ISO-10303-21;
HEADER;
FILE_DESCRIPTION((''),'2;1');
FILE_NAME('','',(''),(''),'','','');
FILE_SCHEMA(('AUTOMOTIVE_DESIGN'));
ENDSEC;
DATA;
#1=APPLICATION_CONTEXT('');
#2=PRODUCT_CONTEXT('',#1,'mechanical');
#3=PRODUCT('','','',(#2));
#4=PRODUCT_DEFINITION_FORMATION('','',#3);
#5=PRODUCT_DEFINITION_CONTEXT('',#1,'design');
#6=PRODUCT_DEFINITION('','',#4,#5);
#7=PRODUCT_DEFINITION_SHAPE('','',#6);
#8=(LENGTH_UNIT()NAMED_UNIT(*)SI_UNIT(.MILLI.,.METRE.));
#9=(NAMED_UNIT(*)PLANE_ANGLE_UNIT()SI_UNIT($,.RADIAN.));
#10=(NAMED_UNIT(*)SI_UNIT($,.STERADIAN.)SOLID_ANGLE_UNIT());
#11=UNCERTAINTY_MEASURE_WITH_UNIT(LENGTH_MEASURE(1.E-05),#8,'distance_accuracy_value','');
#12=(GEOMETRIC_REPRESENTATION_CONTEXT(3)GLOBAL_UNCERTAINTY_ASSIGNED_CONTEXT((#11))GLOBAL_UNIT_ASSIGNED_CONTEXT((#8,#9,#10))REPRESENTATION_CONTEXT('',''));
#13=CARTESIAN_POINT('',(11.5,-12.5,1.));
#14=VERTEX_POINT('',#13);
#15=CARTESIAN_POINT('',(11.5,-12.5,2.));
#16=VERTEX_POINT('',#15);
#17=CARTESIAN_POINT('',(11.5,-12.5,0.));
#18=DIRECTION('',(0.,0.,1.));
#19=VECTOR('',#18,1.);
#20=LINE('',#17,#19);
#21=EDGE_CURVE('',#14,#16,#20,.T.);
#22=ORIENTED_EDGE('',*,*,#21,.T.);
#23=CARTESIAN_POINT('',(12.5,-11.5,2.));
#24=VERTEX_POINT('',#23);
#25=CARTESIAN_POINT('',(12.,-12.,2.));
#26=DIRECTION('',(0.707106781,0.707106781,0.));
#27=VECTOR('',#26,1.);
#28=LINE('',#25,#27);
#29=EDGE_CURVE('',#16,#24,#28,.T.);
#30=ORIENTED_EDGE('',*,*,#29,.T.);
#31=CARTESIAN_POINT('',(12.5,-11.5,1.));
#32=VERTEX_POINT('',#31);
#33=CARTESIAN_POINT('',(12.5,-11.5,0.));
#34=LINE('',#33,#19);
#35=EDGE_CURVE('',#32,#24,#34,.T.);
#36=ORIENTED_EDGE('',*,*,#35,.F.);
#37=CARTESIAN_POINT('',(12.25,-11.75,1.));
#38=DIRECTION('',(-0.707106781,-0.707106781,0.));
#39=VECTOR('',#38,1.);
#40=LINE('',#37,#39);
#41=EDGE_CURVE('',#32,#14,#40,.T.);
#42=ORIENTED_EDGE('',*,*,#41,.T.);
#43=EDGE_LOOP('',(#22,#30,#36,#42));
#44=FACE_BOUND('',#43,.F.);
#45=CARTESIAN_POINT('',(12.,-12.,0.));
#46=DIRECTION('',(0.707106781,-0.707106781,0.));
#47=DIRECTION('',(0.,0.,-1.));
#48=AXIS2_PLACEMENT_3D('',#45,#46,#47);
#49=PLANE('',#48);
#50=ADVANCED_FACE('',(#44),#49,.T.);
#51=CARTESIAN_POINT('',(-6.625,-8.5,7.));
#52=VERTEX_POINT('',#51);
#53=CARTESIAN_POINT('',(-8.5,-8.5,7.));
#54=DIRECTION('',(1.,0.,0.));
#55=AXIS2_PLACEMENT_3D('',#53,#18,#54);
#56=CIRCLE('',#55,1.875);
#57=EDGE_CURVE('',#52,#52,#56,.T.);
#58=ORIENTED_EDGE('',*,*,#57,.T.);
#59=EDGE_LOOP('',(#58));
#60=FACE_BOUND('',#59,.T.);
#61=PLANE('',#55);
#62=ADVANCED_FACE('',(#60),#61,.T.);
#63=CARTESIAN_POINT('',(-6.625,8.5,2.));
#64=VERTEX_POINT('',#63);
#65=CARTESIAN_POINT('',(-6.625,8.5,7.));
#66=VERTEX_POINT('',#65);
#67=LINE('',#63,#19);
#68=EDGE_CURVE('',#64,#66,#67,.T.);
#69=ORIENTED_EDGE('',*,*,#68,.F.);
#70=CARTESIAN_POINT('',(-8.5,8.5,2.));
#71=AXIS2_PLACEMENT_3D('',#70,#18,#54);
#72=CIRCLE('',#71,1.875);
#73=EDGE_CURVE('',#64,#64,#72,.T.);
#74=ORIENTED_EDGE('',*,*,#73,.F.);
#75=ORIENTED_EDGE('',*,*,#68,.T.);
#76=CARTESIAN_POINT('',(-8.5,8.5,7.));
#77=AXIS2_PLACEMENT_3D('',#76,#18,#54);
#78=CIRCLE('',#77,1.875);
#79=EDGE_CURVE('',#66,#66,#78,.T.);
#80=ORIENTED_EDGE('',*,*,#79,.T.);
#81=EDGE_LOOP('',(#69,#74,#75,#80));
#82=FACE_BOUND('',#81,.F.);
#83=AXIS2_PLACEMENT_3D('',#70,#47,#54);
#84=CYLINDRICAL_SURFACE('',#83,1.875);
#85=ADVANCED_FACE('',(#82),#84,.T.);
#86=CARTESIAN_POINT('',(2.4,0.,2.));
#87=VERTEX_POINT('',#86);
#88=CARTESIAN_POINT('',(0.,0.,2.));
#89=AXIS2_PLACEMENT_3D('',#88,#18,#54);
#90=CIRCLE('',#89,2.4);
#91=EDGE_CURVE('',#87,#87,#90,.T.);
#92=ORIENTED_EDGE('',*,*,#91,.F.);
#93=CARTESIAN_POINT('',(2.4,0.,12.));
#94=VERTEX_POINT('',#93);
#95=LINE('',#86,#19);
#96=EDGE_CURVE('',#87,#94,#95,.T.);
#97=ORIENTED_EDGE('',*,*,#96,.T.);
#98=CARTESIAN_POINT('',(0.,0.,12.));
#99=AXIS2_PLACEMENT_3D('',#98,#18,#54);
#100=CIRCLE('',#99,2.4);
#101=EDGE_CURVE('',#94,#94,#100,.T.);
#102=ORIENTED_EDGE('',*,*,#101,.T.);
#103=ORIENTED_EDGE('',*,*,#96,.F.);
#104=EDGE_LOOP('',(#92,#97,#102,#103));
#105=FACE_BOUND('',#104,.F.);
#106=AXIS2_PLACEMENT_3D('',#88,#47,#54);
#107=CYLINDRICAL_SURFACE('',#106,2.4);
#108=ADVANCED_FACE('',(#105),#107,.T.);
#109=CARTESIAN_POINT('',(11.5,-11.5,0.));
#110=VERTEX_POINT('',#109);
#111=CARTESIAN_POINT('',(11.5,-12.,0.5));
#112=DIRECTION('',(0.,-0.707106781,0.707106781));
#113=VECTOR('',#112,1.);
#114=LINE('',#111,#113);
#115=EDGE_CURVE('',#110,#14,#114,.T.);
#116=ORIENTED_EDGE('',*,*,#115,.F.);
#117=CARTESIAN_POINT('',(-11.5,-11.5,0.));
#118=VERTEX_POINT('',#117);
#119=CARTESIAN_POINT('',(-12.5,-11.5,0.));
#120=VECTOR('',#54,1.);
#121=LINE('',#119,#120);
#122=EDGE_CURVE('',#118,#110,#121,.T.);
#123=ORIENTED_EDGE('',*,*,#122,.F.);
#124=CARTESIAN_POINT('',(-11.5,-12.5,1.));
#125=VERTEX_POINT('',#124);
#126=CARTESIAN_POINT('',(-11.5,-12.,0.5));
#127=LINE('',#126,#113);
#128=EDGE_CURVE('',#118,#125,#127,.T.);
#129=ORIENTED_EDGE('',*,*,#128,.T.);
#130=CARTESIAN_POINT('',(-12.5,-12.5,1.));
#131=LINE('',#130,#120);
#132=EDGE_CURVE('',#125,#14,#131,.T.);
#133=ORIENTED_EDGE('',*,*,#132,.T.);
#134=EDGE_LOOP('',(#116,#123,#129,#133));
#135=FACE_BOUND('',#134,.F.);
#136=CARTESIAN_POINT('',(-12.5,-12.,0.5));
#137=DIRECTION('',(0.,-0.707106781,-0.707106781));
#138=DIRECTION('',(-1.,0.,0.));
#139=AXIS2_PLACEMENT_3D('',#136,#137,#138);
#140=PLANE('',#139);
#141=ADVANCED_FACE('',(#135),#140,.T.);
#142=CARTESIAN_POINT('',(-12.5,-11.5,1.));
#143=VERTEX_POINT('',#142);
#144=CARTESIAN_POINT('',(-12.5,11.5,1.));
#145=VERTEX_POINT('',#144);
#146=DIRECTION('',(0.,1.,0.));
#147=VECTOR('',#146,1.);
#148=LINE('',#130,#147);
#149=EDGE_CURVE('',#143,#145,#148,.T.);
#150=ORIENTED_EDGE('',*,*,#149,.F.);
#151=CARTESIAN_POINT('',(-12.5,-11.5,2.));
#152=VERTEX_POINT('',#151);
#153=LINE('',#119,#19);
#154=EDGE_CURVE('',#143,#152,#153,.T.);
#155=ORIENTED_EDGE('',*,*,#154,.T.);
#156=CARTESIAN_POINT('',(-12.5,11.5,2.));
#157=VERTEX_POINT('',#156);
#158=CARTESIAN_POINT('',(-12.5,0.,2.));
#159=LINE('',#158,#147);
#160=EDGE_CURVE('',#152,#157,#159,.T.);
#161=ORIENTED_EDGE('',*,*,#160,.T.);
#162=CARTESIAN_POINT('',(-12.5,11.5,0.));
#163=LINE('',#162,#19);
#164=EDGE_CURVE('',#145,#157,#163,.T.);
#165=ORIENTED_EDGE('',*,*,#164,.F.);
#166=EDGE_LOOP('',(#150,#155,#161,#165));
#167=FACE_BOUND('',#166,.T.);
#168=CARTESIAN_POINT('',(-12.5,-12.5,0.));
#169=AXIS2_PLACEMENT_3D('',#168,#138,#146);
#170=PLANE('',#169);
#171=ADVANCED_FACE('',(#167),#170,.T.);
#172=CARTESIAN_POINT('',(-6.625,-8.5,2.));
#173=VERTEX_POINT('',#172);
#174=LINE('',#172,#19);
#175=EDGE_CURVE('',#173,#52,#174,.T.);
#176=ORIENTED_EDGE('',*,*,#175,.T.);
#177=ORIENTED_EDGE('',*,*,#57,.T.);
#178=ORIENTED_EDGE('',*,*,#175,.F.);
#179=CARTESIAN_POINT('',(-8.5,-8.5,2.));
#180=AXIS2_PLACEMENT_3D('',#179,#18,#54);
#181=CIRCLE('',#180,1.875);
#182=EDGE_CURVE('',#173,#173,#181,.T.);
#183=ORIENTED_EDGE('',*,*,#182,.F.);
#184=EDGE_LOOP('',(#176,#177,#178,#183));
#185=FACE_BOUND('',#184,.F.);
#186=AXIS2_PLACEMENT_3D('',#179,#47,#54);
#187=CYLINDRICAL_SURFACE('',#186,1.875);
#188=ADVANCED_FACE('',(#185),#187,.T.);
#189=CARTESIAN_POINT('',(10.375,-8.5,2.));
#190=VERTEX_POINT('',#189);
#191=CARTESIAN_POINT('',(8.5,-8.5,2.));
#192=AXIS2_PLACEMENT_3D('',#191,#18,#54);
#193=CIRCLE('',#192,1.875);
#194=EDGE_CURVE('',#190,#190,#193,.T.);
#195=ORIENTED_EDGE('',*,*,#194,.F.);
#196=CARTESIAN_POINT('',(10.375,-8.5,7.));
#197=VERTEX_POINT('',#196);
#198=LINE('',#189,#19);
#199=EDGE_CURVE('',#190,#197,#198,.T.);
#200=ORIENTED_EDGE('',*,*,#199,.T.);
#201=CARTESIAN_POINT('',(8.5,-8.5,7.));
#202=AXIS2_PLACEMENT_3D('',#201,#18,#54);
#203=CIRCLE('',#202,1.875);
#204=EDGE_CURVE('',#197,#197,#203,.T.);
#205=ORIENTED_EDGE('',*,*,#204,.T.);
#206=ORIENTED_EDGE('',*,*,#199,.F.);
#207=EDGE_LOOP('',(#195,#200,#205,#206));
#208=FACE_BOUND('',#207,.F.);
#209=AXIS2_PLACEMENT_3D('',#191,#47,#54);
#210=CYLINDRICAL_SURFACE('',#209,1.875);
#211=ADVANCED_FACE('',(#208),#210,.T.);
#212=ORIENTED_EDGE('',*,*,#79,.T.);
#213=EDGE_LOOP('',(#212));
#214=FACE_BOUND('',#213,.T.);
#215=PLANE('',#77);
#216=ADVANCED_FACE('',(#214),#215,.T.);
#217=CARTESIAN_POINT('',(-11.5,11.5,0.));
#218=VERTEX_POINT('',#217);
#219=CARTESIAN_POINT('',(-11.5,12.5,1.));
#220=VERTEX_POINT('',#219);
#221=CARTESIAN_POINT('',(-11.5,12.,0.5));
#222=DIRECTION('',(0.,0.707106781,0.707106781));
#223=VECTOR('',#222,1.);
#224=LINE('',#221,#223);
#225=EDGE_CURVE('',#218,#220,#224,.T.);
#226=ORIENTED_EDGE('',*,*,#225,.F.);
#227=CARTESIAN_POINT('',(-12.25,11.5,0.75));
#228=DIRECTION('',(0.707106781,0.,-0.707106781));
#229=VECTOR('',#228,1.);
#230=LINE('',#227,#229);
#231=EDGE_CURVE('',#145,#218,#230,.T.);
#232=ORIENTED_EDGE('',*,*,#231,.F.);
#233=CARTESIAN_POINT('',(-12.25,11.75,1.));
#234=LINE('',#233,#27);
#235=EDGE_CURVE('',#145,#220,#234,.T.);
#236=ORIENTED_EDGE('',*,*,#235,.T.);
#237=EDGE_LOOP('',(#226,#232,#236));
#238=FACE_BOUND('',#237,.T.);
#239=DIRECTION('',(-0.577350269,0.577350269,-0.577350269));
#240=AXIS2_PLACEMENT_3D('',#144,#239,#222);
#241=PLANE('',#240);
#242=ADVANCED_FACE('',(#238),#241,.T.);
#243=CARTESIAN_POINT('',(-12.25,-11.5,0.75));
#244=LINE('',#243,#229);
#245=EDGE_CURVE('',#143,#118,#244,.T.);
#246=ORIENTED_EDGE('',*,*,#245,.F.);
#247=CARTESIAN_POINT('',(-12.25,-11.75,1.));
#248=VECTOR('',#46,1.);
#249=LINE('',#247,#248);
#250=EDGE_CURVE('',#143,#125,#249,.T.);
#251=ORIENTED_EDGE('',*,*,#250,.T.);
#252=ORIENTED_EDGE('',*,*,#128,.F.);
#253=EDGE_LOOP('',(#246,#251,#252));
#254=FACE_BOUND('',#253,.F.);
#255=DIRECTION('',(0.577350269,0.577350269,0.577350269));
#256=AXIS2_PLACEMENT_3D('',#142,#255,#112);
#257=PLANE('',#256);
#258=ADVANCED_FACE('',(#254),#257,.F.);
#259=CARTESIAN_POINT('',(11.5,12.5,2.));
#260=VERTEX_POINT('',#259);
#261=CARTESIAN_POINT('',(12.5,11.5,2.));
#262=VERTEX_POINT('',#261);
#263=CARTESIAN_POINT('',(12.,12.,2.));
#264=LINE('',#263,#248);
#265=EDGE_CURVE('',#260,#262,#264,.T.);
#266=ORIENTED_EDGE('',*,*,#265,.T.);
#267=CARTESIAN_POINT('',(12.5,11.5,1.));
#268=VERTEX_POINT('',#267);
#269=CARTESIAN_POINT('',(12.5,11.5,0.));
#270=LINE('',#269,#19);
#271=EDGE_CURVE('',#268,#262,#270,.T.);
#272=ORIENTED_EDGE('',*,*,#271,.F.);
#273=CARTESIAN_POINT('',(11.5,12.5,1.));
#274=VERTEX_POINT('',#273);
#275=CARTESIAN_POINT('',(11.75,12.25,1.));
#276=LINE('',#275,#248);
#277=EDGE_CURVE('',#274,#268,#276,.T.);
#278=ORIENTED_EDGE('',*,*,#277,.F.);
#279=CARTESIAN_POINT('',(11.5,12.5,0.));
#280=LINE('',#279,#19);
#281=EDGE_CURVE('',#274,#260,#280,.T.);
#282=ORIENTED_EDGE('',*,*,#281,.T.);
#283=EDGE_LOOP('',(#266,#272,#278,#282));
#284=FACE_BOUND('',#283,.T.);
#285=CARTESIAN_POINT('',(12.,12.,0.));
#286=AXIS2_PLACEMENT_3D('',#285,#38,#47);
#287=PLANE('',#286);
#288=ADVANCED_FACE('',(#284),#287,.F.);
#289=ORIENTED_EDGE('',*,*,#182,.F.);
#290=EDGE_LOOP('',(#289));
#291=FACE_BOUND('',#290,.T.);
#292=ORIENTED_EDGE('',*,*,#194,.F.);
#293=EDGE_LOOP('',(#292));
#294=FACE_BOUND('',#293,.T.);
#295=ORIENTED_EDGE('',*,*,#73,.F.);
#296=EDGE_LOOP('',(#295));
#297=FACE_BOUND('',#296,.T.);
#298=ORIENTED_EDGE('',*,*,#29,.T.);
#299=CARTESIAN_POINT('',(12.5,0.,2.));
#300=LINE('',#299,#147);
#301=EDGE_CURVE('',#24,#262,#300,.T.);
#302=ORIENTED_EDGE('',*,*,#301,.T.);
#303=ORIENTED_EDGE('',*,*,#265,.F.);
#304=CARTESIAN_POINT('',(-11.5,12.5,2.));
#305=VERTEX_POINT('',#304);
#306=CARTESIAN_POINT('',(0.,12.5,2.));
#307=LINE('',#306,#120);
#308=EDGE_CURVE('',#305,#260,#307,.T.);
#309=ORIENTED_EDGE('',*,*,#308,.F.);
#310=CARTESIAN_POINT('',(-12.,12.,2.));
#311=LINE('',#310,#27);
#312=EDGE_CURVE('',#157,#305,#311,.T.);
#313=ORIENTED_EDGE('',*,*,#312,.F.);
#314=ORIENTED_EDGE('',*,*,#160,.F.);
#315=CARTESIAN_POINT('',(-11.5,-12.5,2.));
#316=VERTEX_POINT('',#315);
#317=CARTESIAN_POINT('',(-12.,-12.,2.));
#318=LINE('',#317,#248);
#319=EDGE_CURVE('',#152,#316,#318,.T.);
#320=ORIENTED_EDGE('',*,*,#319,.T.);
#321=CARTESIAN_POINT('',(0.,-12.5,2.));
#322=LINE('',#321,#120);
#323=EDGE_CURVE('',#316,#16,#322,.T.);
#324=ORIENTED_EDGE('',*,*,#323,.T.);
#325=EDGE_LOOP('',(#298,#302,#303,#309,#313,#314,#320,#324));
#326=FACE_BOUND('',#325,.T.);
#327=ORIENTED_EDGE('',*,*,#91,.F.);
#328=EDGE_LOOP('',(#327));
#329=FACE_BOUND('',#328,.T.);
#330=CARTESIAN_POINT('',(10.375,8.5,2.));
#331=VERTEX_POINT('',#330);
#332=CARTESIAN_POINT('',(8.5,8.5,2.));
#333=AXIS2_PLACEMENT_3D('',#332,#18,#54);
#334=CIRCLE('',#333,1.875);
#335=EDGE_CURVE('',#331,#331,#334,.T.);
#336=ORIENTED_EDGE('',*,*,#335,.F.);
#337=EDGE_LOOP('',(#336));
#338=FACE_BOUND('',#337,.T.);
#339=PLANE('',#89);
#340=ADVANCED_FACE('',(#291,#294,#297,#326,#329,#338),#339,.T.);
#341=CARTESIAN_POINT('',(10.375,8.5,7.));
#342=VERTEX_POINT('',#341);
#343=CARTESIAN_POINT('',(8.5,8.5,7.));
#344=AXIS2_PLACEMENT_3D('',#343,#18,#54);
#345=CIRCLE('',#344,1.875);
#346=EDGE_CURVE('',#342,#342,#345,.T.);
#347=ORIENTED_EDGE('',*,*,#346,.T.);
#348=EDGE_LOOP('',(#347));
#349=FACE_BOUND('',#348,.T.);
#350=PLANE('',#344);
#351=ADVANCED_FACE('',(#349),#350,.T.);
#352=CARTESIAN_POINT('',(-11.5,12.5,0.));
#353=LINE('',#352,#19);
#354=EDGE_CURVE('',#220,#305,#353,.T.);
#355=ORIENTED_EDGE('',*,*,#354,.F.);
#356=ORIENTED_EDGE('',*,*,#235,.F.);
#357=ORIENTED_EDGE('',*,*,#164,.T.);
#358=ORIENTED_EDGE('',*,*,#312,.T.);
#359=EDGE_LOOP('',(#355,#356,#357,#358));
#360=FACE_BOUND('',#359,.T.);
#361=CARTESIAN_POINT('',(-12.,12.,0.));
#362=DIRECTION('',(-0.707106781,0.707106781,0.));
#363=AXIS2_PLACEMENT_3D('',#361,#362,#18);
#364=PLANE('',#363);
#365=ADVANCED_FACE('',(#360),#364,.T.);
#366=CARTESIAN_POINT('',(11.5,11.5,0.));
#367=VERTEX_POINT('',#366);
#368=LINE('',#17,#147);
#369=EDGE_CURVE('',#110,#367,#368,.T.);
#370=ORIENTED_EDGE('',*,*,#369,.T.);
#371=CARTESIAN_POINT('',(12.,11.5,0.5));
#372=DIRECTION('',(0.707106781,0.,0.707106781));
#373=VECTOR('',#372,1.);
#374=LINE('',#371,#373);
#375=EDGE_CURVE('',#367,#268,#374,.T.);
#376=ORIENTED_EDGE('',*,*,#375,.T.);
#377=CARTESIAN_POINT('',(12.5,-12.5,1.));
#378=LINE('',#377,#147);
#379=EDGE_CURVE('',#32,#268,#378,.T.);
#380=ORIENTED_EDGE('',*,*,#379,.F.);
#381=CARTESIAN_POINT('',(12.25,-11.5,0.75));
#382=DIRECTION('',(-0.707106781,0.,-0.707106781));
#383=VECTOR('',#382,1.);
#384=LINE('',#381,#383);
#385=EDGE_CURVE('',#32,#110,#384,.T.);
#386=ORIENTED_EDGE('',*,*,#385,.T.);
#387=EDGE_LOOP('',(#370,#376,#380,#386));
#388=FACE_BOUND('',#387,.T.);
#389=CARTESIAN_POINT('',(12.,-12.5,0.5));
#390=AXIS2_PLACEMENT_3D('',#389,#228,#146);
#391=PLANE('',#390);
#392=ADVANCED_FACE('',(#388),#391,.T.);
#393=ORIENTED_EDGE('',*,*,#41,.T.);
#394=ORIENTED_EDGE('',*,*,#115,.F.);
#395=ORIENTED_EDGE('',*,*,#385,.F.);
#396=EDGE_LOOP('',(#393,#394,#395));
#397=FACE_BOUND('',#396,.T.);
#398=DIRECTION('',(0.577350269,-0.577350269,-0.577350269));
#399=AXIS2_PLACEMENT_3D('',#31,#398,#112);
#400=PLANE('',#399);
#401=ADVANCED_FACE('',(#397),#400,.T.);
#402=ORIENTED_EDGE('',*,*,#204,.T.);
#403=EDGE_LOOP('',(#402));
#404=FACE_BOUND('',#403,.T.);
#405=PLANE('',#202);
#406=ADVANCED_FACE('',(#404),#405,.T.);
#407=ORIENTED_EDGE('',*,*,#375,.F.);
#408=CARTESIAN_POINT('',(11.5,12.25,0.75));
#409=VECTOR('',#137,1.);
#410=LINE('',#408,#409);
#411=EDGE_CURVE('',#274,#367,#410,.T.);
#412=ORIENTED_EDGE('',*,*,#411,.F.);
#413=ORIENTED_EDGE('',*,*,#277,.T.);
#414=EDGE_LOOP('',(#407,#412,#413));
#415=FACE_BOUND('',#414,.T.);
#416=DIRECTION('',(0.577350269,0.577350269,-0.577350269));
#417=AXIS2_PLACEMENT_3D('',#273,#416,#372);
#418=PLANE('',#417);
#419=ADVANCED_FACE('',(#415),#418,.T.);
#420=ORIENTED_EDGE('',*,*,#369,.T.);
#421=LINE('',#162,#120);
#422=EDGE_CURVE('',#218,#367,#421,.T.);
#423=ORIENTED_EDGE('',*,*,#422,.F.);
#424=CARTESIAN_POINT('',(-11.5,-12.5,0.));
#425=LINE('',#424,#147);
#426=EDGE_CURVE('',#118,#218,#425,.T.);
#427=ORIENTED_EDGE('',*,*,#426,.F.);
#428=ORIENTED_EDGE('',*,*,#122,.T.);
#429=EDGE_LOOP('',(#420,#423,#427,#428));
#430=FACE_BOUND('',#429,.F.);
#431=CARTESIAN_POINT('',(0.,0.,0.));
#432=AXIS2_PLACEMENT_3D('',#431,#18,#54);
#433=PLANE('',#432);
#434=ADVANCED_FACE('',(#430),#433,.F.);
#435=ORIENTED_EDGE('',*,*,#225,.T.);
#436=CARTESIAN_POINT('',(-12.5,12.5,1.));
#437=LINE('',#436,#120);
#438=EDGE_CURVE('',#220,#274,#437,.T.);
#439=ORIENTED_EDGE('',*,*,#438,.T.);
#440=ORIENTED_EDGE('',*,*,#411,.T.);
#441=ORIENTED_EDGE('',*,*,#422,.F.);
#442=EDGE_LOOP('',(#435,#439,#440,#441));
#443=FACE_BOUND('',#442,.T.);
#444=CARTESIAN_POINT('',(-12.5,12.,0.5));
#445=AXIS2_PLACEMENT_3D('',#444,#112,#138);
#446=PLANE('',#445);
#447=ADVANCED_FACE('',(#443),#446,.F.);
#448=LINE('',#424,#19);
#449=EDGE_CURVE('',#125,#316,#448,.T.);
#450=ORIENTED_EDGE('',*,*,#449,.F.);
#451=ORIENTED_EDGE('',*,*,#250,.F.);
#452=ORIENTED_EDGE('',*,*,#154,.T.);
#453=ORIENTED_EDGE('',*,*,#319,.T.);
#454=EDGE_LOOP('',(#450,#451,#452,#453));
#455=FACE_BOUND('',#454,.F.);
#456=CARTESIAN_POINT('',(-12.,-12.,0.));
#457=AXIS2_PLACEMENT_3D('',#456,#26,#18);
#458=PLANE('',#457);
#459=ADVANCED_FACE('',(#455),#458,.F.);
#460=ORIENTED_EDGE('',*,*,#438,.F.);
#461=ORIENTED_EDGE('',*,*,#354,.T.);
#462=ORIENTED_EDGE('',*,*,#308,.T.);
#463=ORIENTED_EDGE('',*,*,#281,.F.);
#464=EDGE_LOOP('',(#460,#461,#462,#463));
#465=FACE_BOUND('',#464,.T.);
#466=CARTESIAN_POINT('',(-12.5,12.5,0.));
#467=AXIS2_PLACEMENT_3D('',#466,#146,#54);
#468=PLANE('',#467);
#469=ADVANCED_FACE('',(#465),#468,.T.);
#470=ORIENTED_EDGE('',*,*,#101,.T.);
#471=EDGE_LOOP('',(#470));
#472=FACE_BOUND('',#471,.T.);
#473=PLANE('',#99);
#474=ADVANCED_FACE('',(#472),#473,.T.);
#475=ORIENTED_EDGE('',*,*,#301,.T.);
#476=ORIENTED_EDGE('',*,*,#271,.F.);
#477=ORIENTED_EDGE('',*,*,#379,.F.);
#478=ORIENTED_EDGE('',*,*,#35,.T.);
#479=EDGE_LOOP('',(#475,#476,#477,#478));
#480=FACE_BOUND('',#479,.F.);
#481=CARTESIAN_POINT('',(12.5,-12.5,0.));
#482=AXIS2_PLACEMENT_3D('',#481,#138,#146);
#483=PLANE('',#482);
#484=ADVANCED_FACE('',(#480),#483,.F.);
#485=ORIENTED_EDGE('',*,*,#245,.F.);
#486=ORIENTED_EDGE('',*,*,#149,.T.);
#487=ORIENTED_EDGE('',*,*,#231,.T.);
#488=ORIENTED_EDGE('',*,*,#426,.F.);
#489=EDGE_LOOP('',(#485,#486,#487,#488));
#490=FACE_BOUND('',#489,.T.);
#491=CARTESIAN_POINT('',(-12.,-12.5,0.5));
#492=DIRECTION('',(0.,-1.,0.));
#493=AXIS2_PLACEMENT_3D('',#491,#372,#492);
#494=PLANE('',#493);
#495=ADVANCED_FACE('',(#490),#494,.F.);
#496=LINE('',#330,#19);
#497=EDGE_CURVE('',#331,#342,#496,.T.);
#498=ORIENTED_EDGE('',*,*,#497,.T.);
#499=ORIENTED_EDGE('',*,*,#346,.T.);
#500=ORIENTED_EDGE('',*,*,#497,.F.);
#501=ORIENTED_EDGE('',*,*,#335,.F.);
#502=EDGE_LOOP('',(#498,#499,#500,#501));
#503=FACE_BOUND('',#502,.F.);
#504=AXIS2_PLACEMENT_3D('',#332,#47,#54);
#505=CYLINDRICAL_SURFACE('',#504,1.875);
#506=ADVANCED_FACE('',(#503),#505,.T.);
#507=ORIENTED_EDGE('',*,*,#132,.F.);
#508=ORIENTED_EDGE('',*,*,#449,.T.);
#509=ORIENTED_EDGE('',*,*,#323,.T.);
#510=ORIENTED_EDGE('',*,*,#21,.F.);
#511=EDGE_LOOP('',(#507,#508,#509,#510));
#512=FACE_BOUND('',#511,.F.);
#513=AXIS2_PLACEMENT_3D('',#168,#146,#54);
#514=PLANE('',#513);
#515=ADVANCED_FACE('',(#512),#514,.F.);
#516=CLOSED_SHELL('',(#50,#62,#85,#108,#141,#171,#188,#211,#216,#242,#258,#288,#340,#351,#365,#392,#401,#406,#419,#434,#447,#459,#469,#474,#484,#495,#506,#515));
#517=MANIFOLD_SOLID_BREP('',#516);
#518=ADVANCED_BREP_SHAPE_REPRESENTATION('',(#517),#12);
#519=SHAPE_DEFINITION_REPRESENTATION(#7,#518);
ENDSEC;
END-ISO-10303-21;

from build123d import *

# Parameters (mm, degrees)
F0_W     = 25
F0_H     = 25
F1_DEPTH = 2
F2_R     = 2.4
F3_DEPTH = 10
F4_R     = 1.875
F5_DEPTH = 5
F6_SIZE  = 1


with BuildPart() as f1:
    # F0 (on Top) → F1 (new body)
    with BuildSketch(Plane.XY):
        Rectangle(F0_W, F0_H)
    extrude(amount=F1_DEPTH)

    # F2 (on face) → F3 (join)
    with BuildSketch(Plane.XY.offset(2)):
        Circle(F2_R)
    extrude(amount=F3_DEPTH)

    # F4 (on face) → F5 (join)
    with BuildSketch(Plane.XY.offset(2)):
        with Locations((-8.5, 8.5)):
            Circle(F4_R)
        with Locations((8.5, 8.5)):
            Circle(F4_R)
        with Locations((8.5, -8.5)):
            Circle(F4_R)
        with Locations((-8.5, -8.5)):
            Circle(F4_R)
    extrude(amount=F5_DEPTH)

    # F6
    f6_edges = [f1.edges().sort_by_distance(p)[0] for p in [
        (0, -12.5, 0),
        (12.5, 0, 0),
        (0, 12.5, 0),
        (-12.5, 0, 0),
        (-12.5, -12.5, 1),
        (12.5, -12.5, 1),
        (12.5, 12.5, 1),
        (-12.5, 12.5, 1),
    ]]
    chamfer(f6_edges, length=F6_SIZE)


solid = f1.part
